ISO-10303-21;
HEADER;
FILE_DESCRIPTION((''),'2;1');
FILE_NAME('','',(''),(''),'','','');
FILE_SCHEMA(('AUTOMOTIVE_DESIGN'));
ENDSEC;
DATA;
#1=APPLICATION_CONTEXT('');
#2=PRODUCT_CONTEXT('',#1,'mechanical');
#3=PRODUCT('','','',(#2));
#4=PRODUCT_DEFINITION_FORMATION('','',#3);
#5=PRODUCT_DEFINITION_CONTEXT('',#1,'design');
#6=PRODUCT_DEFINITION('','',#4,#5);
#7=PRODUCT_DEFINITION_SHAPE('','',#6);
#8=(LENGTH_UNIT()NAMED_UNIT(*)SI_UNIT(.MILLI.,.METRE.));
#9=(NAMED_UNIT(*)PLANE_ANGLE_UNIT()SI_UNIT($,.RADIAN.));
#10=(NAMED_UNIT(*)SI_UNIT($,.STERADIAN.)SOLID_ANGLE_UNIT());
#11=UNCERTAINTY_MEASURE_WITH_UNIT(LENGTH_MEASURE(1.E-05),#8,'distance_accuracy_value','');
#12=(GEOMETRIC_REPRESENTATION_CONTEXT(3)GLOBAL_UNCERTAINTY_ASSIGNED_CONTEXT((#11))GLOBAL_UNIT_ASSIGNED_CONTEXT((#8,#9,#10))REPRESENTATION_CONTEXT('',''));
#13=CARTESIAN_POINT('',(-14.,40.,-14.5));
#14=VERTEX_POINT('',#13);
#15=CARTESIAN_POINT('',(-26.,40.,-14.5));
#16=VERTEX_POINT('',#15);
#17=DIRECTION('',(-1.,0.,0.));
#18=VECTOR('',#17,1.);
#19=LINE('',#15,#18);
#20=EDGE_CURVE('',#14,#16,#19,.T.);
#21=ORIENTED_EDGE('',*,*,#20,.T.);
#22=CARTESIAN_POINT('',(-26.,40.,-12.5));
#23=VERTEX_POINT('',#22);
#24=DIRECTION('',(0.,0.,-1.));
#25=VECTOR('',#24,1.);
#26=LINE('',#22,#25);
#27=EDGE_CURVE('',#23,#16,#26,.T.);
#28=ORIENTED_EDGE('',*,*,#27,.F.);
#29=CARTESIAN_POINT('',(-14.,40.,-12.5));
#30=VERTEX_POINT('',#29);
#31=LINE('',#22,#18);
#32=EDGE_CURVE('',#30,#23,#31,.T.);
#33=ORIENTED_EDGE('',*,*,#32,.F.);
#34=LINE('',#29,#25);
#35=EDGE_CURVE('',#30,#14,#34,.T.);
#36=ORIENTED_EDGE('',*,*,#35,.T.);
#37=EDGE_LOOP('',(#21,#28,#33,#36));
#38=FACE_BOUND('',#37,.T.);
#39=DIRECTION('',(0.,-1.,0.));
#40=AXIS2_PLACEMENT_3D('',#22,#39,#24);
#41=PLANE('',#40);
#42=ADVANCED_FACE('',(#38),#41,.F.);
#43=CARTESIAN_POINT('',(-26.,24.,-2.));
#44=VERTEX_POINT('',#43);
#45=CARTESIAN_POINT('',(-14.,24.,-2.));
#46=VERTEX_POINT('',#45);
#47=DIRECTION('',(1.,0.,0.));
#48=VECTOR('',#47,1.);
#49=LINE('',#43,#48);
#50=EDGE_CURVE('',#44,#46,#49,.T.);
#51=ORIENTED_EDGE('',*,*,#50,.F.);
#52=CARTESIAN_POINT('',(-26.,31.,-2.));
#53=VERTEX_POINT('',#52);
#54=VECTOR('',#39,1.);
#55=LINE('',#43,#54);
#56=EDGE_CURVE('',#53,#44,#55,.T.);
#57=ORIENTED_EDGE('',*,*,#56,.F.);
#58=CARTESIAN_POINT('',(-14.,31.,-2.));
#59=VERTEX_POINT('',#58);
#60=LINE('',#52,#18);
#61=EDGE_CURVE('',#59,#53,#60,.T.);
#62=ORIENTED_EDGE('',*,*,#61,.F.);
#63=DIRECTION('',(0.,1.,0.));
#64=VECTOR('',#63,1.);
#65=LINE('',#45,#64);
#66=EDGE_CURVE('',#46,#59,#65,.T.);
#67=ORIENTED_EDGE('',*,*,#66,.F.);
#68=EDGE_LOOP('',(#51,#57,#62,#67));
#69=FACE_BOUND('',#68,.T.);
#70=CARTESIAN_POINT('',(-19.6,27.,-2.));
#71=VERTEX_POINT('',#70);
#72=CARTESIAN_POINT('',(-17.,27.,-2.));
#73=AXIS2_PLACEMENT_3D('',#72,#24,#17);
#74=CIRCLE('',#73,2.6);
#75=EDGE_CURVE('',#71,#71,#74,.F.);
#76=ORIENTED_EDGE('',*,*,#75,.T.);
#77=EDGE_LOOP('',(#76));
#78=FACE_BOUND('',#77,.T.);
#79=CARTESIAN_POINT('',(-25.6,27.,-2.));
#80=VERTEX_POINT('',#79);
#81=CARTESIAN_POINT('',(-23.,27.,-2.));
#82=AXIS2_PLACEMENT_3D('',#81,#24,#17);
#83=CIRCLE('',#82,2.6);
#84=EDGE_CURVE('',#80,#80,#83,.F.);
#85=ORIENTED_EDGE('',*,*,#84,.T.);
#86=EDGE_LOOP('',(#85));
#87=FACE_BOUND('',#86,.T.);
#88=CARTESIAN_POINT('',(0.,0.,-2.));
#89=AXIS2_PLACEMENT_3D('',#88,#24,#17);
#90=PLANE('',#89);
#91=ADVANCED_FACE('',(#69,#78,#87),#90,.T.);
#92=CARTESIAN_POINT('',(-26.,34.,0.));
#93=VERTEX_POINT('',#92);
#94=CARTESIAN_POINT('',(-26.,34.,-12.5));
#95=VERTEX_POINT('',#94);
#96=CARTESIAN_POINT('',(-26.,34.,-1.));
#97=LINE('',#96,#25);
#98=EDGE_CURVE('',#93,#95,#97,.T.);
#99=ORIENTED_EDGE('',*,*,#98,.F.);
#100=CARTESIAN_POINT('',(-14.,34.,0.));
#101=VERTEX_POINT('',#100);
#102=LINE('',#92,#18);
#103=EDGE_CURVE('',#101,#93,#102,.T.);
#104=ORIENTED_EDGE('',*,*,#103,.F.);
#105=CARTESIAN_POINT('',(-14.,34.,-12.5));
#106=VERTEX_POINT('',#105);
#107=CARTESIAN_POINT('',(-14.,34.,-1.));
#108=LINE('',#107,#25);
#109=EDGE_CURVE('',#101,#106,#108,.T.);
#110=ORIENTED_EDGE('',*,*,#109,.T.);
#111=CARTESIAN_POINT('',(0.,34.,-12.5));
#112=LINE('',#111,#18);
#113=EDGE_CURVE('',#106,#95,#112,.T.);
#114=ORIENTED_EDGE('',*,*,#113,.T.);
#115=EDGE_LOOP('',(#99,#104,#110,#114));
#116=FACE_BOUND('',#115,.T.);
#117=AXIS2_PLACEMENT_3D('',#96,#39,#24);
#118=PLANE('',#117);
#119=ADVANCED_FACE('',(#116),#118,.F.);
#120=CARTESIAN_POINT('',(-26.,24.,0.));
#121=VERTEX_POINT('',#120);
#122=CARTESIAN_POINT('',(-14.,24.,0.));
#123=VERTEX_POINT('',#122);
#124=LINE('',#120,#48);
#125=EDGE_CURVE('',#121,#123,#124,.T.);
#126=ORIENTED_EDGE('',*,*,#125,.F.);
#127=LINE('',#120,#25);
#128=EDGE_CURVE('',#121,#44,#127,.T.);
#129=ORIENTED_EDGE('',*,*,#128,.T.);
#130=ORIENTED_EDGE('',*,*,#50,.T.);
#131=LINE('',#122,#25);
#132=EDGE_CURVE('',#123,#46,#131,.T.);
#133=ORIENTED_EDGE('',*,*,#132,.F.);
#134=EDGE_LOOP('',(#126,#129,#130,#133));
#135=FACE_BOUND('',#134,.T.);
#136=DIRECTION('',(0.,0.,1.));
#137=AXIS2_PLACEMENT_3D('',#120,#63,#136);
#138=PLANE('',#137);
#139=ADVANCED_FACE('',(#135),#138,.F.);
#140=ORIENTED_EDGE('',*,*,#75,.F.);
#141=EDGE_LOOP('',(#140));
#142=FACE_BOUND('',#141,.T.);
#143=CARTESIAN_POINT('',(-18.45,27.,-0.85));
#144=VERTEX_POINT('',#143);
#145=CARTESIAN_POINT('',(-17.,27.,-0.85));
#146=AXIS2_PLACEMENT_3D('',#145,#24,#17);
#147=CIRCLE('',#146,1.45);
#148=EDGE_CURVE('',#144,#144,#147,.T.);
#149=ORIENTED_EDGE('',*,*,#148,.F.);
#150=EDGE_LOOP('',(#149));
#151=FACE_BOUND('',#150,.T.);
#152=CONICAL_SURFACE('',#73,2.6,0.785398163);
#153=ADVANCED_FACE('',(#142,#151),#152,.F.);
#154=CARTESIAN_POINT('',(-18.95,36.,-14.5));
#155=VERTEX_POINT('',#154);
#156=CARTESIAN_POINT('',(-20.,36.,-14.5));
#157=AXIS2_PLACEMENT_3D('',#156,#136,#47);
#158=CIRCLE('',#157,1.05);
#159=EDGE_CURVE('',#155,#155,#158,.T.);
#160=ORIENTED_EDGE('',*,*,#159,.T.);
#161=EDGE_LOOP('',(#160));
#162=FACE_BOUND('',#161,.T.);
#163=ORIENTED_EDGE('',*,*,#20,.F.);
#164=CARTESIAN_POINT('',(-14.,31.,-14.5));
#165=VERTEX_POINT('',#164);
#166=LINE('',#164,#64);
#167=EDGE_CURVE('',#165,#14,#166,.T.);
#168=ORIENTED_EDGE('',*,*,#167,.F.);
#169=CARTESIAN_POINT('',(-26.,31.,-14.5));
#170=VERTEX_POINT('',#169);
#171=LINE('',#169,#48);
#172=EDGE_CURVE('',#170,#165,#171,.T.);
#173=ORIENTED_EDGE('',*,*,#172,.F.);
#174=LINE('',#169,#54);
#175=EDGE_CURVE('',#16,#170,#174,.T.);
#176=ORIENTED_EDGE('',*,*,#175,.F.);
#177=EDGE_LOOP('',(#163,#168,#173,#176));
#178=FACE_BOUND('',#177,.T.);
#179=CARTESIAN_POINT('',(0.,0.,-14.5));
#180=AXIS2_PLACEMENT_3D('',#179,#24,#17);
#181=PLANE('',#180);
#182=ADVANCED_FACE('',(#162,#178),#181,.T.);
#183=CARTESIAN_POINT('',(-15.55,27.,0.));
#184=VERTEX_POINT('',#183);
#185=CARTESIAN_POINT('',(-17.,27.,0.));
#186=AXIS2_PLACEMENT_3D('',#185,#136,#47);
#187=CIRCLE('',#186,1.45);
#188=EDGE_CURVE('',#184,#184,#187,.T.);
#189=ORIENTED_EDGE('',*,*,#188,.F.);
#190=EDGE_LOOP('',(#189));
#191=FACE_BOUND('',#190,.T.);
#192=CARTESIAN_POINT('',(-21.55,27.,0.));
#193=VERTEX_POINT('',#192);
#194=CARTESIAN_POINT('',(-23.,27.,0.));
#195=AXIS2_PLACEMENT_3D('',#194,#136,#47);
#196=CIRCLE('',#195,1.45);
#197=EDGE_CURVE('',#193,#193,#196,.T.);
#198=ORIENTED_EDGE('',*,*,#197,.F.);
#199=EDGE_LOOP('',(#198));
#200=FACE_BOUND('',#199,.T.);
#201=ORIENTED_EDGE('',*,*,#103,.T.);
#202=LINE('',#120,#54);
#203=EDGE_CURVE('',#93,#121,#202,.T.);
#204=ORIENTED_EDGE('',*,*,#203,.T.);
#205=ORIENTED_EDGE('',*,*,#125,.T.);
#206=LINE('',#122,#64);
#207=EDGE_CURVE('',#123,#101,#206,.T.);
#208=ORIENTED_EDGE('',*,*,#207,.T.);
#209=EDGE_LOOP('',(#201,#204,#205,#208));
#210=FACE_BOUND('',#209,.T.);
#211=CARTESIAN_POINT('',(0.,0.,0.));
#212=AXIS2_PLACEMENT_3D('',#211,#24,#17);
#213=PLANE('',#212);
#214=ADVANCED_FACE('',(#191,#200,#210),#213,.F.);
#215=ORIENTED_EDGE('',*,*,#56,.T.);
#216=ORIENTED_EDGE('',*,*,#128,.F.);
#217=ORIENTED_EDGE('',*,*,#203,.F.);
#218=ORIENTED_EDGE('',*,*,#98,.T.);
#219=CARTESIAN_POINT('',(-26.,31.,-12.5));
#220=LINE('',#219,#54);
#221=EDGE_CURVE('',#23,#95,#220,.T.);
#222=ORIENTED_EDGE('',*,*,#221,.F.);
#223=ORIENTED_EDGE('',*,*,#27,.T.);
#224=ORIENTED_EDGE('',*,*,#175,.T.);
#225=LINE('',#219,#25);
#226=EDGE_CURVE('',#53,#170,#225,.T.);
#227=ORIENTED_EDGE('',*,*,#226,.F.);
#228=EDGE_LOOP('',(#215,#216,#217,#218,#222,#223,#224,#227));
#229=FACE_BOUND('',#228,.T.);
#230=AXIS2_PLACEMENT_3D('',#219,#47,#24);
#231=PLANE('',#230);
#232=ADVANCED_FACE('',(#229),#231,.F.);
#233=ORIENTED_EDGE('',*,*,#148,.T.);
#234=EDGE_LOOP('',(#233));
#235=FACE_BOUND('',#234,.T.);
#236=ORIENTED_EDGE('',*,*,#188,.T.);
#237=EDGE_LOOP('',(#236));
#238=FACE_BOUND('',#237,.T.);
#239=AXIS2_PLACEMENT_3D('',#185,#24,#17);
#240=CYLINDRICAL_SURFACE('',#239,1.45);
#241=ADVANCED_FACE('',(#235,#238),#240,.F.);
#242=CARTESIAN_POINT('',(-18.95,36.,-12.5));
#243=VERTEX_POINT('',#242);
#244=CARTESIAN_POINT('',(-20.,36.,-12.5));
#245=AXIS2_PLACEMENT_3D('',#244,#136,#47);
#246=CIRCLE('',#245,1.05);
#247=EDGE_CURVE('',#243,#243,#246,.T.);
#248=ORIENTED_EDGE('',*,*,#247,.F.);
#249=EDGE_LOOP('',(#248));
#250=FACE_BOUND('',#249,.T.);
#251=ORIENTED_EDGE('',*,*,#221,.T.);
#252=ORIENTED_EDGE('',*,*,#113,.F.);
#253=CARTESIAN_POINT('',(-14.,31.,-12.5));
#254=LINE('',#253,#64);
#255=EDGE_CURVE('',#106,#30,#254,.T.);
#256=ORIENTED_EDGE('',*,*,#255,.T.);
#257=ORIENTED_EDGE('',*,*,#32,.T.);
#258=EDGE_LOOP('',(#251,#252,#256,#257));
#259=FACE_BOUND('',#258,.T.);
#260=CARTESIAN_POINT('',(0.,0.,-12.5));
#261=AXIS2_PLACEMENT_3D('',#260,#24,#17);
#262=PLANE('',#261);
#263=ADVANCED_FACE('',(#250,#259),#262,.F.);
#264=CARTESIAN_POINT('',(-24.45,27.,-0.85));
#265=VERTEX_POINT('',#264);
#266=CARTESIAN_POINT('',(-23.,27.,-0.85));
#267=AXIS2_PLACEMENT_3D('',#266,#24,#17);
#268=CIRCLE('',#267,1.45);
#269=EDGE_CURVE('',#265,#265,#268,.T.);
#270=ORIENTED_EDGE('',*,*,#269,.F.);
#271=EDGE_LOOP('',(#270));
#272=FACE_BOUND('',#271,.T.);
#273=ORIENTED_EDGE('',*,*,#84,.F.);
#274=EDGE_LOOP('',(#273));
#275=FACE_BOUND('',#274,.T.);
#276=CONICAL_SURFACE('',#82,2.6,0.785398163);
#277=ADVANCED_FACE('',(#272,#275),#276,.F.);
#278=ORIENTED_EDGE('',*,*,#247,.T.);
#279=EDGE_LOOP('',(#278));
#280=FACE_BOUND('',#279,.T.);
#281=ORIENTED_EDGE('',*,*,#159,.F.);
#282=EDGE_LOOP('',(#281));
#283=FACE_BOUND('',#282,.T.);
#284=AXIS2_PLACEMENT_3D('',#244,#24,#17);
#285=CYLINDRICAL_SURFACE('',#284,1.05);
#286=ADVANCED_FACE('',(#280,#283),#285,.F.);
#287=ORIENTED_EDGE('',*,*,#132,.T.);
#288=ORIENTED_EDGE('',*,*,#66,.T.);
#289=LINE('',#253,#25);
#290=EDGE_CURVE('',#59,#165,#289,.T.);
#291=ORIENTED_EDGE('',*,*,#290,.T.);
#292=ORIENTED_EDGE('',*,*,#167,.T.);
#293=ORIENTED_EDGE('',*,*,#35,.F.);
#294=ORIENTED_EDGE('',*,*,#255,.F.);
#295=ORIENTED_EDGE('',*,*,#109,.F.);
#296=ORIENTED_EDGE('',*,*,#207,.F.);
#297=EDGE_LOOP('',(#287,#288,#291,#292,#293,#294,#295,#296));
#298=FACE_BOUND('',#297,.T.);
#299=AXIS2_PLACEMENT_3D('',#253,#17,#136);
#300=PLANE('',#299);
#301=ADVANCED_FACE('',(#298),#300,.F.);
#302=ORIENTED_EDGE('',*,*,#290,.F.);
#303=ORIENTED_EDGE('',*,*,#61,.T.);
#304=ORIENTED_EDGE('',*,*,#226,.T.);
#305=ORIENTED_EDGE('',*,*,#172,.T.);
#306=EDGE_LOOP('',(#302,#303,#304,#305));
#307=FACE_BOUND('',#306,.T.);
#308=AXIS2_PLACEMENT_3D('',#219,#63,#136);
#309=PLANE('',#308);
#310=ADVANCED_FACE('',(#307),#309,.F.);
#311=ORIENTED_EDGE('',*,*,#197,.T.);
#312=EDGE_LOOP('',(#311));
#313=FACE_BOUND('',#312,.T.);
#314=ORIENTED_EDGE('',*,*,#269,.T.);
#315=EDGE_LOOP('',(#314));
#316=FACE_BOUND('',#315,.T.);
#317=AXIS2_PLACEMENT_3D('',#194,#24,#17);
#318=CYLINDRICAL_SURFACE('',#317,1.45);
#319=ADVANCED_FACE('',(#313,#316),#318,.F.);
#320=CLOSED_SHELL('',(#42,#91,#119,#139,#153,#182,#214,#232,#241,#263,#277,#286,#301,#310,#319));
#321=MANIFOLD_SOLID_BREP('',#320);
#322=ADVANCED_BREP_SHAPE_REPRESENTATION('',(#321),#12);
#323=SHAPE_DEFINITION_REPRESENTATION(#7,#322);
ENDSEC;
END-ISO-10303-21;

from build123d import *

# Parameters (mm, degrees)
LINK_EYE_SHELF_START          = -14.5
SKETCH1_W                     = 12
SKETCH1_H                     = 9
SKETCH1_R                     = 1.05
LINK_EYE_SHELF_DEPTH          = 2
OUTBOARD_WEB_START            = -13.5
SKETCH2_W                     = 12
SKETCH2_H                     = 3
OUTBOARD_WEB_DEPTH            = 12.5
INTERMEDIATE_PLATE_FOOT_START = -2
SKETCH3_W                     = 12
SKETCH3_H                     = 10
SKETCH3_R                     = 1.45
INTERMEDIATE_PLATE_FOOT_DEPTH = 2
CHAMFER1_SIZE                 = 1.15


with BuildPart() as part:
    # Sketch1 → Link_Eye_Shelf (new body)
    with BuildSketch(Plane.XY.offset(LINK_EYE_SHELF_START)):
        with Locations((-20, 35.5)):
            Rectangle(SKETCH1_W, SKETCH1_H)
        with Locations((-20, 36)):
            Circle(SKETCH1_R, mode=Mode.SUBTRACT)
    extrude(amount=LINK_EYE_SHELF_DEPTH)

    # Sketch2 → Outboard_Web (add)
    with BuildSketch(Plane.XY.offset(OUTBOARD_WEB_START)):
        with Locations((-20, 32.5)):
            Rectangle(SKETCH2_W, SKETCH2_H)
    extrude(amount=OUTBOARD_WEB_DEPTH)

    # Sketch3 → Intermediate_Plate_Foot (add)
    with BuildSketch(Plane.XY.offset(INTERMEDIATE_PLATE_FOOT_START)):
        with Locations((-20, 29)):
            Rectangle(SKETCH3_W, SKETCH3_H)
        with Locations((-23, 27)):
            Circle(SKETCH3_R, mode=Mode.SUBTRACT)
        with Locations((-17, 27)):
            Circle(SKETCH3_R, mode=Mode.SUBTRACT)
    extrude(amount=INTERMEDIATE_PLATE_FOOT_DEPTH)

    # Chamfer1
    chamfer1_edges = [part.edges().sort_by_distance(p)[0] for p in [
        (-18.45, 27, -2),
        (-24.45, 27, -2),
    ]]
    chamfer(chamfer1_edges, length=CHAMFER1_SIZE)


solid = part.part
